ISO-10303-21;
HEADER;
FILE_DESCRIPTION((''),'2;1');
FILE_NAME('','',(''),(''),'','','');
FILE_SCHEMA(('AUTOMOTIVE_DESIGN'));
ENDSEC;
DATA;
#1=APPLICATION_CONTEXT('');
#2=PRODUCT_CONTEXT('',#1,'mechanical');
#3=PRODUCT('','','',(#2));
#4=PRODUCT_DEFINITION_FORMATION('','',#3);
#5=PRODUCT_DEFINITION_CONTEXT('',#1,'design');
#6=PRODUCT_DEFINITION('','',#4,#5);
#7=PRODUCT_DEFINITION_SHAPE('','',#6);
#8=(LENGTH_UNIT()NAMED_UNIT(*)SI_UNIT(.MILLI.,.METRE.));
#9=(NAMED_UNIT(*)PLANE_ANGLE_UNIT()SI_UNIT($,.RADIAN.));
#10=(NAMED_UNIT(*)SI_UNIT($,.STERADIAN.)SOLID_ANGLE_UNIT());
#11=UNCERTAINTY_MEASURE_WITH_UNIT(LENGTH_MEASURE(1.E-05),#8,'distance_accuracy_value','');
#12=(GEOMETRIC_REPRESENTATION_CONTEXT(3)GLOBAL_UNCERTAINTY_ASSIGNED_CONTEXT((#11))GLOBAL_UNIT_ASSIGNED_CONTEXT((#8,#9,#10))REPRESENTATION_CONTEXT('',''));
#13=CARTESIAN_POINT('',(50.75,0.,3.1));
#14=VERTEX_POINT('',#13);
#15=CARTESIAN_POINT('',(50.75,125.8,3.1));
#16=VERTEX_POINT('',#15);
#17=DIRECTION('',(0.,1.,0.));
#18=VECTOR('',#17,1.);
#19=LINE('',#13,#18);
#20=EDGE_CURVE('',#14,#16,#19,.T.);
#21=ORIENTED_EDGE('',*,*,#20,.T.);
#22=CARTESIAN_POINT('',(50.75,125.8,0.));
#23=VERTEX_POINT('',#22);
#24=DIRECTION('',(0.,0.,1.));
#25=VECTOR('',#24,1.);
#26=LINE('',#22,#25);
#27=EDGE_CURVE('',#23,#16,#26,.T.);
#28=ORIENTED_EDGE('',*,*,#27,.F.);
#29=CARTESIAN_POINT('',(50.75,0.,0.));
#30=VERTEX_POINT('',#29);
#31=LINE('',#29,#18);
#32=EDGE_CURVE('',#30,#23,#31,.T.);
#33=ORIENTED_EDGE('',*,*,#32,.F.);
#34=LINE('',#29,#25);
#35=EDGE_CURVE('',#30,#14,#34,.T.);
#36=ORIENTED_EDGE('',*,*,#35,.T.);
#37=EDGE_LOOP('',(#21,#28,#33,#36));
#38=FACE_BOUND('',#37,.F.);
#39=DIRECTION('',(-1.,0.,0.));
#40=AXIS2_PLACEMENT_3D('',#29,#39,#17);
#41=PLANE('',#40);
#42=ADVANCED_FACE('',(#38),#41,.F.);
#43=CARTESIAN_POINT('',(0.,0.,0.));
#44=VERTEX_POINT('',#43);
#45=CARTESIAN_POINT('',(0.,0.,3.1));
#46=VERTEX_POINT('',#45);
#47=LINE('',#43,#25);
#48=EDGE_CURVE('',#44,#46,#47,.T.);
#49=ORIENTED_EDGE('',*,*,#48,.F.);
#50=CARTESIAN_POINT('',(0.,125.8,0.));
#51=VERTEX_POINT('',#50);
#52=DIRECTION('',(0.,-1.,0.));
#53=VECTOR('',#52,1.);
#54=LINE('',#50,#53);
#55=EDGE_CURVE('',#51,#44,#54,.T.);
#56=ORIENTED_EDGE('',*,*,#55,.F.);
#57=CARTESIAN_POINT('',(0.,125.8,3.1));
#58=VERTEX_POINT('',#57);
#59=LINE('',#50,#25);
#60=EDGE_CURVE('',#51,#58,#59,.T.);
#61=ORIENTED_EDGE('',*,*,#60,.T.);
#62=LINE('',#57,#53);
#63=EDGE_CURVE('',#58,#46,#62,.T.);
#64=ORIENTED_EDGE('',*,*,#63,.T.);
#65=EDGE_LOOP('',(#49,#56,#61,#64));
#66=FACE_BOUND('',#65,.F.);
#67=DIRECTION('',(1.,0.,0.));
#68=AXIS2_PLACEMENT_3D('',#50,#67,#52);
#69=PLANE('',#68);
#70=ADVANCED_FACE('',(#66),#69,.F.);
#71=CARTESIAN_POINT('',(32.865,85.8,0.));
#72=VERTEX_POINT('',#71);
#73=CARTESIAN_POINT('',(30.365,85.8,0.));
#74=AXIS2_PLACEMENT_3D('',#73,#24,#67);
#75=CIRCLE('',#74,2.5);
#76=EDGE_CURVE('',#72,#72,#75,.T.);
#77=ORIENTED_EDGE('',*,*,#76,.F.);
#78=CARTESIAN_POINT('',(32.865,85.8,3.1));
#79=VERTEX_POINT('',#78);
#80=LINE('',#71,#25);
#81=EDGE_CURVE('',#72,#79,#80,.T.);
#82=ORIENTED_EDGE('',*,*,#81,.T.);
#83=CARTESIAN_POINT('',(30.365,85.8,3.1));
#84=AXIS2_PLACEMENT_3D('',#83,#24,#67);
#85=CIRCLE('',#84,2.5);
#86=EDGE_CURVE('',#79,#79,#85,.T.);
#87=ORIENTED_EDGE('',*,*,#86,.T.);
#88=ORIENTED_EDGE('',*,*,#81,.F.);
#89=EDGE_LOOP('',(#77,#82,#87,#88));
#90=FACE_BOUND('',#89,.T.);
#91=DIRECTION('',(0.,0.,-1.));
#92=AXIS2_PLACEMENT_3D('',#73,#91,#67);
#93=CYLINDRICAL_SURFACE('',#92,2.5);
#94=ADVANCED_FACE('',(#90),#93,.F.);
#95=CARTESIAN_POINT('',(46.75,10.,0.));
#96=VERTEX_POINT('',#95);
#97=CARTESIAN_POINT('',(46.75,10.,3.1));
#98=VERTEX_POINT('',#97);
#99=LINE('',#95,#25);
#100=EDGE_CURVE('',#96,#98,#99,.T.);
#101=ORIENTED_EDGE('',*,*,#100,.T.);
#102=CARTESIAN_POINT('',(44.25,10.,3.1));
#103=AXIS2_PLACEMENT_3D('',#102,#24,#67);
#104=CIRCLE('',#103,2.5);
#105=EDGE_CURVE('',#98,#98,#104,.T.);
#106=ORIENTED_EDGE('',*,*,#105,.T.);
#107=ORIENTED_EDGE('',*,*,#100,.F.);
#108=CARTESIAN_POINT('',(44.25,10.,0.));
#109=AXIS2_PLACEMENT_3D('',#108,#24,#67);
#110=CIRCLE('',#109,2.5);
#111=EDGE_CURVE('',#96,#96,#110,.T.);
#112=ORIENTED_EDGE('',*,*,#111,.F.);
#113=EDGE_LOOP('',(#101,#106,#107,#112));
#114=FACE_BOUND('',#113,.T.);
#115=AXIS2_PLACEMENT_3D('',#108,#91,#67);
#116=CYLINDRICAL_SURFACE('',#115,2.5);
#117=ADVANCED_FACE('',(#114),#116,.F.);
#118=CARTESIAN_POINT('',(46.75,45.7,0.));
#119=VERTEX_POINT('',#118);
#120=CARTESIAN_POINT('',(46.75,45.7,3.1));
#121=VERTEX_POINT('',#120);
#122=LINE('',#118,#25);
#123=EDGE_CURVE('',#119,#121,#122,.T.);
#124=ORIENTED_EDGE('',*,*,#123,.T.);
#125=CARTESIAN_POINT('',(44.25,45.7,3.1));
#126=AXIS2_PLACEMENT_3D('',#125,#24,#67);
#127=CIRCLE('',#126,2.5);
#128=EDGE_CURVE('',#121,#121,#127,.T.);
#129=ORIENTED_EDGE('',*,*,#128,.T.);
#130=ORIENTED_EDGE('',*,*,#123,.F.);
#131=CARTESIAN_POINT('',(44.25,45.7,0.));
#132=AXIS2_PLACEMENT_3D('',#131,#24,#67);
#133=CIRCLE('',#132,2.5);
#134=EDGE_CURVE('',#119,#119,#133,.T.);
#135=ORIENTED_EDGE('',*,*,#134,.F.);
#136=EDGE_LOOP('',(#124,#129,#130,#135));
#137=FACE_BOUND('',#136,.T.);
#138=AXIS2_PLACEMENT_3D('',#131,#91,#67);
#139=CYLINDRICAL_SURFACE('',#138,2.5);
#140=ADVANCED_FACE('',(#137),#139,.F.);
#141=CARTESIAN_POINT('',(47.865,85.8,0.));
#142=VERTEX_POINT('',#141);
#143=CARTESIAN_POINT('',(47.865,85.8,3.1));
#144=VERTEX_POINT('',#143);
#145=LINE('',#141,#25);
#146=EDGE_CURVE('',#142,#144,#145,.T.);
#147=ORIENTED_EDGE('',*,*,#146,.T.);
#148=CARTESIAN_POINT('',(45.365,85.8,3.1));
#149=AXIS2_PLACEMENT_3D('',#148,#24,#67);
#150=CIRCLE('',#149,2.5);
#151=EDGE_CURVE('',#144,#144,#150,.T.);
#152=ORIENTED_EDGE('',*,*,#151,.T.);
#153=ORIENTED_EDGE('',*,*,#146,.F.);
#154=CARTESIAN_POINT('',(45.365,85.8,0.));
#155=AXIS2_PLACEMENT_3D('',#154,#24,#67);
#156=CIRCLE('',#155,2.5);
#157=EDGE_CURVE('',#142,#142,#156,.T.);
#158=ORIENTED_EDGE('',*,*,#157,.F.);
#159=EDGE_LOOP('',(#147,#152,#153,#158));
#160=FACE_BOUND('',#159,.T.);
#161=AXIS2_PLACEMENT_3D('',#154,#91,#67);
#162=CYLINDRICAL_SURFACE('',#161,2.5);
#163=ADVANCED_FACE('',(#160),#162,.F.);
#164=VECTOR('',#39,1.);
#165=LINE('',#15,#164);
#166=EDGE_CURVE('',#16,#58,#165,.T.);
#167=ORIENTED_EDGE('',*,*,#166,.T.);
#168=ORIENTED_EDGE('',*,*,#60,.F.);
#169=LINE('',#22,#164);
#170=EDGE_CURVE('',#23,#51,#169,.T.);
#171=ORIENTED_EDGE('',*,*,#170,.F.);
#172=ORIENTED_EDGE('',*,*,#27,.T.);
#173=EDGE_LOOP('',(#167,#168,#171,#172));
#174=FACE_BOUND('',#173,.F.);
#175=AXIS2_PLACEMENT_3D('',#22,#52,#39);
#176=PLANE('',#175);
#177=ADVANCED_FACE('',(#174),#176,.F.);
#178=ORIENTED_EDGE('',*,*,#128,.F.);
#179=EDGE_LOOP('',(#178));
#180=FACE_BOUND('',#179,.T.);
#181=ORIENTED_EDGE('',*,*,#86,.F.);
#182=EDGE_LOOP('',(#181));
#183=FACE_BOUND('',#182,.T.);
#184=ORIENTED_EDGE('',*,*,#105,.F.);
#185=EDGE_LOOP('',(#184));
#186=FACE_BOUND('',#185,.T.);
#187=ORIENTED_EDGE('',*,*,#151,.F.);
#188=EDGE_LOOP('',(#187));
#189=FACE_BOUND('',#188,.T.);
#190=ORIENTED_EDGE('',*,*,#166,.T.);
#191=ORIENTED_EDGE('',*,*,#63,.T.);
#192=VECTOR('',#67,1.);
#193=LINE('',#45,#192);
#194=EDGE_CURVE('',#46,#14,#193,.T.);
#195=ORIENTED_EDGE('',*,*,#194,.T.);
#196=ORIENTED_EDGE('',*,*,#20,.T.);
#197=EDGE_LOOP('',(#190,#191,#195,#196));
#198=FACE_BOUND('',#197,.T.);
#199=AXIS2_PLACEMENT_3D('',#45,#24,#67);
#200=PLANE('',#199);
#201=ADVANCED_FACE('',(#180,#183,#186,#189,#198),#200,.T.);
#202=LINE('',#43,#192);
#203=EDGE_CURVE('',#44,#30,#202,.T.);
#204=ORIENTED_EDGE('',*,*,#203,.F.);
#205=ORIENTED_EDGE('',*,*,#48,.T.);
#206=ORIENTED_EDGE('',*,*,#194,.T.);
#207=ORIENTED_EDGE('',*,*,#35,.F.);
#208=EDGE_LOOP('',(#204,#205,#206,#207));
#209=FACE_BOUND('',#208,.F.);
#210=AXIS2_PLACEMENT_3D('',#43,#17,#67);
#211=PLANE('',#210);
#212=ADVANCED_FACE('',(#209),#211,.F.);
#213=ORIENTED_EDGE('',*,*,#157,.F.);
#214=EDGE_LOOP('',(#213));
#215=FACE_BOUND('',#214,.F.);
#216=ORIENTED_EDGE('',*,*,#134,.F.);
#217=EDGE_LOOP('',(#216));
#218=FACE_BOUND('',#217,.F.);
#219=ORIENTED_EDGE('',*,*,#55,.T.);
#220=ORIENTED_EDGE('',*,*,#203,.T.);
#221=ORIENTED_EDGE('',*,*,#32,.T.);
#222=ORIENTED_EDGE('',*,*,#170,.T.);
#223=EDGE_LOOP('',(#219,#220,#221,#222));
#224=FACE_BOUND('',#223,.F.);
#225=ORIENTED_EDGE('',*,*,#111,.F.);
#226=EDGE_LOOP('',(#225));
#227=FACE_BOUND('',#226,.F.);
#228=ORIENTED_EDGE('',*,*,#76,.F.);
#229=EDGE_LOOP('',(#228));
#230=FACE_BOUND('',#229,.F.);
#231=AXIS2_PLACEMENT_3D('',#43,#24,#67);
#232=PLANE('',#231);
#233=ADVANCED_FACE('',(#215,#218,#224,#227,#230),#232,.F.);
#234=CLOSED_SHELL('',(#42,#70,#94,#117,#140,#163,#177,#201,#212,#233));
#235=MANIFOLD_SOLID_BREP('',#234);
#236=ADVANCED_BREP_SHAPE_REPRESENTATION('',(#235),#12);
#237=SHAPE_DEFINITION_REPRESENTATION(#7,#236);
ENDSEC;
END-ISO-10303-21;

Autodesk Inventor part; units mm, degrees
ref_plane "YZ Plane" through (0, 0, 0) normal (1, 0, 0) x (0, 1, 0)
ref_plane "XZ Plane" through (0, 0, 0) normal (0, 1, 0) x (-1, 0, 0)
ref_plane "XY Plane" through (0, 0, 0) normal (0, 0, 1) x (1, 0, 0)
sketch "Sketch1" plane through (0, 0, 0) normal (0, 0, 1) x (1, 0, 0)
  line L0 (50.75, 0) -> (50.75, 125.8)
  line L1 (50.75, 125.8) -> (0, 125.8)
  line L2 (0, 125.8) -> (0, 0)
  circle A0 centre (44.25, 10) radius 2.5
  circle A1 centre (44.25, 45.7) radius 2.5
  line L3 (0, 0) -> (50.75, 0)
  circle A2 centre (45.365, 85.8) radius 2.5
  circle A3 centre (30.365, 85.8) radius 2.5
  dimension "d0" = 50.75
  dimension "d1" = 125.8
  dimension "d2" = 5
  dimension "d3" = 5
  dimension "d14" = 10
  dimension "d15" = 35.7
  dimension "d16" = 6.5
  dimension "d17" = 6.5
  dimension "d20" = 5
  dimension "d21" = 5
  dimension "d22" = 5.385
  dimension "d23" = 15
  dimension "d24" = 40
  dimension "d25" = 40
extrude "Extrusion1" add sketch "Sketch1" along normal blind 3.1
properties part number "BatteryBracketLeft" material "Steel, Mild"
